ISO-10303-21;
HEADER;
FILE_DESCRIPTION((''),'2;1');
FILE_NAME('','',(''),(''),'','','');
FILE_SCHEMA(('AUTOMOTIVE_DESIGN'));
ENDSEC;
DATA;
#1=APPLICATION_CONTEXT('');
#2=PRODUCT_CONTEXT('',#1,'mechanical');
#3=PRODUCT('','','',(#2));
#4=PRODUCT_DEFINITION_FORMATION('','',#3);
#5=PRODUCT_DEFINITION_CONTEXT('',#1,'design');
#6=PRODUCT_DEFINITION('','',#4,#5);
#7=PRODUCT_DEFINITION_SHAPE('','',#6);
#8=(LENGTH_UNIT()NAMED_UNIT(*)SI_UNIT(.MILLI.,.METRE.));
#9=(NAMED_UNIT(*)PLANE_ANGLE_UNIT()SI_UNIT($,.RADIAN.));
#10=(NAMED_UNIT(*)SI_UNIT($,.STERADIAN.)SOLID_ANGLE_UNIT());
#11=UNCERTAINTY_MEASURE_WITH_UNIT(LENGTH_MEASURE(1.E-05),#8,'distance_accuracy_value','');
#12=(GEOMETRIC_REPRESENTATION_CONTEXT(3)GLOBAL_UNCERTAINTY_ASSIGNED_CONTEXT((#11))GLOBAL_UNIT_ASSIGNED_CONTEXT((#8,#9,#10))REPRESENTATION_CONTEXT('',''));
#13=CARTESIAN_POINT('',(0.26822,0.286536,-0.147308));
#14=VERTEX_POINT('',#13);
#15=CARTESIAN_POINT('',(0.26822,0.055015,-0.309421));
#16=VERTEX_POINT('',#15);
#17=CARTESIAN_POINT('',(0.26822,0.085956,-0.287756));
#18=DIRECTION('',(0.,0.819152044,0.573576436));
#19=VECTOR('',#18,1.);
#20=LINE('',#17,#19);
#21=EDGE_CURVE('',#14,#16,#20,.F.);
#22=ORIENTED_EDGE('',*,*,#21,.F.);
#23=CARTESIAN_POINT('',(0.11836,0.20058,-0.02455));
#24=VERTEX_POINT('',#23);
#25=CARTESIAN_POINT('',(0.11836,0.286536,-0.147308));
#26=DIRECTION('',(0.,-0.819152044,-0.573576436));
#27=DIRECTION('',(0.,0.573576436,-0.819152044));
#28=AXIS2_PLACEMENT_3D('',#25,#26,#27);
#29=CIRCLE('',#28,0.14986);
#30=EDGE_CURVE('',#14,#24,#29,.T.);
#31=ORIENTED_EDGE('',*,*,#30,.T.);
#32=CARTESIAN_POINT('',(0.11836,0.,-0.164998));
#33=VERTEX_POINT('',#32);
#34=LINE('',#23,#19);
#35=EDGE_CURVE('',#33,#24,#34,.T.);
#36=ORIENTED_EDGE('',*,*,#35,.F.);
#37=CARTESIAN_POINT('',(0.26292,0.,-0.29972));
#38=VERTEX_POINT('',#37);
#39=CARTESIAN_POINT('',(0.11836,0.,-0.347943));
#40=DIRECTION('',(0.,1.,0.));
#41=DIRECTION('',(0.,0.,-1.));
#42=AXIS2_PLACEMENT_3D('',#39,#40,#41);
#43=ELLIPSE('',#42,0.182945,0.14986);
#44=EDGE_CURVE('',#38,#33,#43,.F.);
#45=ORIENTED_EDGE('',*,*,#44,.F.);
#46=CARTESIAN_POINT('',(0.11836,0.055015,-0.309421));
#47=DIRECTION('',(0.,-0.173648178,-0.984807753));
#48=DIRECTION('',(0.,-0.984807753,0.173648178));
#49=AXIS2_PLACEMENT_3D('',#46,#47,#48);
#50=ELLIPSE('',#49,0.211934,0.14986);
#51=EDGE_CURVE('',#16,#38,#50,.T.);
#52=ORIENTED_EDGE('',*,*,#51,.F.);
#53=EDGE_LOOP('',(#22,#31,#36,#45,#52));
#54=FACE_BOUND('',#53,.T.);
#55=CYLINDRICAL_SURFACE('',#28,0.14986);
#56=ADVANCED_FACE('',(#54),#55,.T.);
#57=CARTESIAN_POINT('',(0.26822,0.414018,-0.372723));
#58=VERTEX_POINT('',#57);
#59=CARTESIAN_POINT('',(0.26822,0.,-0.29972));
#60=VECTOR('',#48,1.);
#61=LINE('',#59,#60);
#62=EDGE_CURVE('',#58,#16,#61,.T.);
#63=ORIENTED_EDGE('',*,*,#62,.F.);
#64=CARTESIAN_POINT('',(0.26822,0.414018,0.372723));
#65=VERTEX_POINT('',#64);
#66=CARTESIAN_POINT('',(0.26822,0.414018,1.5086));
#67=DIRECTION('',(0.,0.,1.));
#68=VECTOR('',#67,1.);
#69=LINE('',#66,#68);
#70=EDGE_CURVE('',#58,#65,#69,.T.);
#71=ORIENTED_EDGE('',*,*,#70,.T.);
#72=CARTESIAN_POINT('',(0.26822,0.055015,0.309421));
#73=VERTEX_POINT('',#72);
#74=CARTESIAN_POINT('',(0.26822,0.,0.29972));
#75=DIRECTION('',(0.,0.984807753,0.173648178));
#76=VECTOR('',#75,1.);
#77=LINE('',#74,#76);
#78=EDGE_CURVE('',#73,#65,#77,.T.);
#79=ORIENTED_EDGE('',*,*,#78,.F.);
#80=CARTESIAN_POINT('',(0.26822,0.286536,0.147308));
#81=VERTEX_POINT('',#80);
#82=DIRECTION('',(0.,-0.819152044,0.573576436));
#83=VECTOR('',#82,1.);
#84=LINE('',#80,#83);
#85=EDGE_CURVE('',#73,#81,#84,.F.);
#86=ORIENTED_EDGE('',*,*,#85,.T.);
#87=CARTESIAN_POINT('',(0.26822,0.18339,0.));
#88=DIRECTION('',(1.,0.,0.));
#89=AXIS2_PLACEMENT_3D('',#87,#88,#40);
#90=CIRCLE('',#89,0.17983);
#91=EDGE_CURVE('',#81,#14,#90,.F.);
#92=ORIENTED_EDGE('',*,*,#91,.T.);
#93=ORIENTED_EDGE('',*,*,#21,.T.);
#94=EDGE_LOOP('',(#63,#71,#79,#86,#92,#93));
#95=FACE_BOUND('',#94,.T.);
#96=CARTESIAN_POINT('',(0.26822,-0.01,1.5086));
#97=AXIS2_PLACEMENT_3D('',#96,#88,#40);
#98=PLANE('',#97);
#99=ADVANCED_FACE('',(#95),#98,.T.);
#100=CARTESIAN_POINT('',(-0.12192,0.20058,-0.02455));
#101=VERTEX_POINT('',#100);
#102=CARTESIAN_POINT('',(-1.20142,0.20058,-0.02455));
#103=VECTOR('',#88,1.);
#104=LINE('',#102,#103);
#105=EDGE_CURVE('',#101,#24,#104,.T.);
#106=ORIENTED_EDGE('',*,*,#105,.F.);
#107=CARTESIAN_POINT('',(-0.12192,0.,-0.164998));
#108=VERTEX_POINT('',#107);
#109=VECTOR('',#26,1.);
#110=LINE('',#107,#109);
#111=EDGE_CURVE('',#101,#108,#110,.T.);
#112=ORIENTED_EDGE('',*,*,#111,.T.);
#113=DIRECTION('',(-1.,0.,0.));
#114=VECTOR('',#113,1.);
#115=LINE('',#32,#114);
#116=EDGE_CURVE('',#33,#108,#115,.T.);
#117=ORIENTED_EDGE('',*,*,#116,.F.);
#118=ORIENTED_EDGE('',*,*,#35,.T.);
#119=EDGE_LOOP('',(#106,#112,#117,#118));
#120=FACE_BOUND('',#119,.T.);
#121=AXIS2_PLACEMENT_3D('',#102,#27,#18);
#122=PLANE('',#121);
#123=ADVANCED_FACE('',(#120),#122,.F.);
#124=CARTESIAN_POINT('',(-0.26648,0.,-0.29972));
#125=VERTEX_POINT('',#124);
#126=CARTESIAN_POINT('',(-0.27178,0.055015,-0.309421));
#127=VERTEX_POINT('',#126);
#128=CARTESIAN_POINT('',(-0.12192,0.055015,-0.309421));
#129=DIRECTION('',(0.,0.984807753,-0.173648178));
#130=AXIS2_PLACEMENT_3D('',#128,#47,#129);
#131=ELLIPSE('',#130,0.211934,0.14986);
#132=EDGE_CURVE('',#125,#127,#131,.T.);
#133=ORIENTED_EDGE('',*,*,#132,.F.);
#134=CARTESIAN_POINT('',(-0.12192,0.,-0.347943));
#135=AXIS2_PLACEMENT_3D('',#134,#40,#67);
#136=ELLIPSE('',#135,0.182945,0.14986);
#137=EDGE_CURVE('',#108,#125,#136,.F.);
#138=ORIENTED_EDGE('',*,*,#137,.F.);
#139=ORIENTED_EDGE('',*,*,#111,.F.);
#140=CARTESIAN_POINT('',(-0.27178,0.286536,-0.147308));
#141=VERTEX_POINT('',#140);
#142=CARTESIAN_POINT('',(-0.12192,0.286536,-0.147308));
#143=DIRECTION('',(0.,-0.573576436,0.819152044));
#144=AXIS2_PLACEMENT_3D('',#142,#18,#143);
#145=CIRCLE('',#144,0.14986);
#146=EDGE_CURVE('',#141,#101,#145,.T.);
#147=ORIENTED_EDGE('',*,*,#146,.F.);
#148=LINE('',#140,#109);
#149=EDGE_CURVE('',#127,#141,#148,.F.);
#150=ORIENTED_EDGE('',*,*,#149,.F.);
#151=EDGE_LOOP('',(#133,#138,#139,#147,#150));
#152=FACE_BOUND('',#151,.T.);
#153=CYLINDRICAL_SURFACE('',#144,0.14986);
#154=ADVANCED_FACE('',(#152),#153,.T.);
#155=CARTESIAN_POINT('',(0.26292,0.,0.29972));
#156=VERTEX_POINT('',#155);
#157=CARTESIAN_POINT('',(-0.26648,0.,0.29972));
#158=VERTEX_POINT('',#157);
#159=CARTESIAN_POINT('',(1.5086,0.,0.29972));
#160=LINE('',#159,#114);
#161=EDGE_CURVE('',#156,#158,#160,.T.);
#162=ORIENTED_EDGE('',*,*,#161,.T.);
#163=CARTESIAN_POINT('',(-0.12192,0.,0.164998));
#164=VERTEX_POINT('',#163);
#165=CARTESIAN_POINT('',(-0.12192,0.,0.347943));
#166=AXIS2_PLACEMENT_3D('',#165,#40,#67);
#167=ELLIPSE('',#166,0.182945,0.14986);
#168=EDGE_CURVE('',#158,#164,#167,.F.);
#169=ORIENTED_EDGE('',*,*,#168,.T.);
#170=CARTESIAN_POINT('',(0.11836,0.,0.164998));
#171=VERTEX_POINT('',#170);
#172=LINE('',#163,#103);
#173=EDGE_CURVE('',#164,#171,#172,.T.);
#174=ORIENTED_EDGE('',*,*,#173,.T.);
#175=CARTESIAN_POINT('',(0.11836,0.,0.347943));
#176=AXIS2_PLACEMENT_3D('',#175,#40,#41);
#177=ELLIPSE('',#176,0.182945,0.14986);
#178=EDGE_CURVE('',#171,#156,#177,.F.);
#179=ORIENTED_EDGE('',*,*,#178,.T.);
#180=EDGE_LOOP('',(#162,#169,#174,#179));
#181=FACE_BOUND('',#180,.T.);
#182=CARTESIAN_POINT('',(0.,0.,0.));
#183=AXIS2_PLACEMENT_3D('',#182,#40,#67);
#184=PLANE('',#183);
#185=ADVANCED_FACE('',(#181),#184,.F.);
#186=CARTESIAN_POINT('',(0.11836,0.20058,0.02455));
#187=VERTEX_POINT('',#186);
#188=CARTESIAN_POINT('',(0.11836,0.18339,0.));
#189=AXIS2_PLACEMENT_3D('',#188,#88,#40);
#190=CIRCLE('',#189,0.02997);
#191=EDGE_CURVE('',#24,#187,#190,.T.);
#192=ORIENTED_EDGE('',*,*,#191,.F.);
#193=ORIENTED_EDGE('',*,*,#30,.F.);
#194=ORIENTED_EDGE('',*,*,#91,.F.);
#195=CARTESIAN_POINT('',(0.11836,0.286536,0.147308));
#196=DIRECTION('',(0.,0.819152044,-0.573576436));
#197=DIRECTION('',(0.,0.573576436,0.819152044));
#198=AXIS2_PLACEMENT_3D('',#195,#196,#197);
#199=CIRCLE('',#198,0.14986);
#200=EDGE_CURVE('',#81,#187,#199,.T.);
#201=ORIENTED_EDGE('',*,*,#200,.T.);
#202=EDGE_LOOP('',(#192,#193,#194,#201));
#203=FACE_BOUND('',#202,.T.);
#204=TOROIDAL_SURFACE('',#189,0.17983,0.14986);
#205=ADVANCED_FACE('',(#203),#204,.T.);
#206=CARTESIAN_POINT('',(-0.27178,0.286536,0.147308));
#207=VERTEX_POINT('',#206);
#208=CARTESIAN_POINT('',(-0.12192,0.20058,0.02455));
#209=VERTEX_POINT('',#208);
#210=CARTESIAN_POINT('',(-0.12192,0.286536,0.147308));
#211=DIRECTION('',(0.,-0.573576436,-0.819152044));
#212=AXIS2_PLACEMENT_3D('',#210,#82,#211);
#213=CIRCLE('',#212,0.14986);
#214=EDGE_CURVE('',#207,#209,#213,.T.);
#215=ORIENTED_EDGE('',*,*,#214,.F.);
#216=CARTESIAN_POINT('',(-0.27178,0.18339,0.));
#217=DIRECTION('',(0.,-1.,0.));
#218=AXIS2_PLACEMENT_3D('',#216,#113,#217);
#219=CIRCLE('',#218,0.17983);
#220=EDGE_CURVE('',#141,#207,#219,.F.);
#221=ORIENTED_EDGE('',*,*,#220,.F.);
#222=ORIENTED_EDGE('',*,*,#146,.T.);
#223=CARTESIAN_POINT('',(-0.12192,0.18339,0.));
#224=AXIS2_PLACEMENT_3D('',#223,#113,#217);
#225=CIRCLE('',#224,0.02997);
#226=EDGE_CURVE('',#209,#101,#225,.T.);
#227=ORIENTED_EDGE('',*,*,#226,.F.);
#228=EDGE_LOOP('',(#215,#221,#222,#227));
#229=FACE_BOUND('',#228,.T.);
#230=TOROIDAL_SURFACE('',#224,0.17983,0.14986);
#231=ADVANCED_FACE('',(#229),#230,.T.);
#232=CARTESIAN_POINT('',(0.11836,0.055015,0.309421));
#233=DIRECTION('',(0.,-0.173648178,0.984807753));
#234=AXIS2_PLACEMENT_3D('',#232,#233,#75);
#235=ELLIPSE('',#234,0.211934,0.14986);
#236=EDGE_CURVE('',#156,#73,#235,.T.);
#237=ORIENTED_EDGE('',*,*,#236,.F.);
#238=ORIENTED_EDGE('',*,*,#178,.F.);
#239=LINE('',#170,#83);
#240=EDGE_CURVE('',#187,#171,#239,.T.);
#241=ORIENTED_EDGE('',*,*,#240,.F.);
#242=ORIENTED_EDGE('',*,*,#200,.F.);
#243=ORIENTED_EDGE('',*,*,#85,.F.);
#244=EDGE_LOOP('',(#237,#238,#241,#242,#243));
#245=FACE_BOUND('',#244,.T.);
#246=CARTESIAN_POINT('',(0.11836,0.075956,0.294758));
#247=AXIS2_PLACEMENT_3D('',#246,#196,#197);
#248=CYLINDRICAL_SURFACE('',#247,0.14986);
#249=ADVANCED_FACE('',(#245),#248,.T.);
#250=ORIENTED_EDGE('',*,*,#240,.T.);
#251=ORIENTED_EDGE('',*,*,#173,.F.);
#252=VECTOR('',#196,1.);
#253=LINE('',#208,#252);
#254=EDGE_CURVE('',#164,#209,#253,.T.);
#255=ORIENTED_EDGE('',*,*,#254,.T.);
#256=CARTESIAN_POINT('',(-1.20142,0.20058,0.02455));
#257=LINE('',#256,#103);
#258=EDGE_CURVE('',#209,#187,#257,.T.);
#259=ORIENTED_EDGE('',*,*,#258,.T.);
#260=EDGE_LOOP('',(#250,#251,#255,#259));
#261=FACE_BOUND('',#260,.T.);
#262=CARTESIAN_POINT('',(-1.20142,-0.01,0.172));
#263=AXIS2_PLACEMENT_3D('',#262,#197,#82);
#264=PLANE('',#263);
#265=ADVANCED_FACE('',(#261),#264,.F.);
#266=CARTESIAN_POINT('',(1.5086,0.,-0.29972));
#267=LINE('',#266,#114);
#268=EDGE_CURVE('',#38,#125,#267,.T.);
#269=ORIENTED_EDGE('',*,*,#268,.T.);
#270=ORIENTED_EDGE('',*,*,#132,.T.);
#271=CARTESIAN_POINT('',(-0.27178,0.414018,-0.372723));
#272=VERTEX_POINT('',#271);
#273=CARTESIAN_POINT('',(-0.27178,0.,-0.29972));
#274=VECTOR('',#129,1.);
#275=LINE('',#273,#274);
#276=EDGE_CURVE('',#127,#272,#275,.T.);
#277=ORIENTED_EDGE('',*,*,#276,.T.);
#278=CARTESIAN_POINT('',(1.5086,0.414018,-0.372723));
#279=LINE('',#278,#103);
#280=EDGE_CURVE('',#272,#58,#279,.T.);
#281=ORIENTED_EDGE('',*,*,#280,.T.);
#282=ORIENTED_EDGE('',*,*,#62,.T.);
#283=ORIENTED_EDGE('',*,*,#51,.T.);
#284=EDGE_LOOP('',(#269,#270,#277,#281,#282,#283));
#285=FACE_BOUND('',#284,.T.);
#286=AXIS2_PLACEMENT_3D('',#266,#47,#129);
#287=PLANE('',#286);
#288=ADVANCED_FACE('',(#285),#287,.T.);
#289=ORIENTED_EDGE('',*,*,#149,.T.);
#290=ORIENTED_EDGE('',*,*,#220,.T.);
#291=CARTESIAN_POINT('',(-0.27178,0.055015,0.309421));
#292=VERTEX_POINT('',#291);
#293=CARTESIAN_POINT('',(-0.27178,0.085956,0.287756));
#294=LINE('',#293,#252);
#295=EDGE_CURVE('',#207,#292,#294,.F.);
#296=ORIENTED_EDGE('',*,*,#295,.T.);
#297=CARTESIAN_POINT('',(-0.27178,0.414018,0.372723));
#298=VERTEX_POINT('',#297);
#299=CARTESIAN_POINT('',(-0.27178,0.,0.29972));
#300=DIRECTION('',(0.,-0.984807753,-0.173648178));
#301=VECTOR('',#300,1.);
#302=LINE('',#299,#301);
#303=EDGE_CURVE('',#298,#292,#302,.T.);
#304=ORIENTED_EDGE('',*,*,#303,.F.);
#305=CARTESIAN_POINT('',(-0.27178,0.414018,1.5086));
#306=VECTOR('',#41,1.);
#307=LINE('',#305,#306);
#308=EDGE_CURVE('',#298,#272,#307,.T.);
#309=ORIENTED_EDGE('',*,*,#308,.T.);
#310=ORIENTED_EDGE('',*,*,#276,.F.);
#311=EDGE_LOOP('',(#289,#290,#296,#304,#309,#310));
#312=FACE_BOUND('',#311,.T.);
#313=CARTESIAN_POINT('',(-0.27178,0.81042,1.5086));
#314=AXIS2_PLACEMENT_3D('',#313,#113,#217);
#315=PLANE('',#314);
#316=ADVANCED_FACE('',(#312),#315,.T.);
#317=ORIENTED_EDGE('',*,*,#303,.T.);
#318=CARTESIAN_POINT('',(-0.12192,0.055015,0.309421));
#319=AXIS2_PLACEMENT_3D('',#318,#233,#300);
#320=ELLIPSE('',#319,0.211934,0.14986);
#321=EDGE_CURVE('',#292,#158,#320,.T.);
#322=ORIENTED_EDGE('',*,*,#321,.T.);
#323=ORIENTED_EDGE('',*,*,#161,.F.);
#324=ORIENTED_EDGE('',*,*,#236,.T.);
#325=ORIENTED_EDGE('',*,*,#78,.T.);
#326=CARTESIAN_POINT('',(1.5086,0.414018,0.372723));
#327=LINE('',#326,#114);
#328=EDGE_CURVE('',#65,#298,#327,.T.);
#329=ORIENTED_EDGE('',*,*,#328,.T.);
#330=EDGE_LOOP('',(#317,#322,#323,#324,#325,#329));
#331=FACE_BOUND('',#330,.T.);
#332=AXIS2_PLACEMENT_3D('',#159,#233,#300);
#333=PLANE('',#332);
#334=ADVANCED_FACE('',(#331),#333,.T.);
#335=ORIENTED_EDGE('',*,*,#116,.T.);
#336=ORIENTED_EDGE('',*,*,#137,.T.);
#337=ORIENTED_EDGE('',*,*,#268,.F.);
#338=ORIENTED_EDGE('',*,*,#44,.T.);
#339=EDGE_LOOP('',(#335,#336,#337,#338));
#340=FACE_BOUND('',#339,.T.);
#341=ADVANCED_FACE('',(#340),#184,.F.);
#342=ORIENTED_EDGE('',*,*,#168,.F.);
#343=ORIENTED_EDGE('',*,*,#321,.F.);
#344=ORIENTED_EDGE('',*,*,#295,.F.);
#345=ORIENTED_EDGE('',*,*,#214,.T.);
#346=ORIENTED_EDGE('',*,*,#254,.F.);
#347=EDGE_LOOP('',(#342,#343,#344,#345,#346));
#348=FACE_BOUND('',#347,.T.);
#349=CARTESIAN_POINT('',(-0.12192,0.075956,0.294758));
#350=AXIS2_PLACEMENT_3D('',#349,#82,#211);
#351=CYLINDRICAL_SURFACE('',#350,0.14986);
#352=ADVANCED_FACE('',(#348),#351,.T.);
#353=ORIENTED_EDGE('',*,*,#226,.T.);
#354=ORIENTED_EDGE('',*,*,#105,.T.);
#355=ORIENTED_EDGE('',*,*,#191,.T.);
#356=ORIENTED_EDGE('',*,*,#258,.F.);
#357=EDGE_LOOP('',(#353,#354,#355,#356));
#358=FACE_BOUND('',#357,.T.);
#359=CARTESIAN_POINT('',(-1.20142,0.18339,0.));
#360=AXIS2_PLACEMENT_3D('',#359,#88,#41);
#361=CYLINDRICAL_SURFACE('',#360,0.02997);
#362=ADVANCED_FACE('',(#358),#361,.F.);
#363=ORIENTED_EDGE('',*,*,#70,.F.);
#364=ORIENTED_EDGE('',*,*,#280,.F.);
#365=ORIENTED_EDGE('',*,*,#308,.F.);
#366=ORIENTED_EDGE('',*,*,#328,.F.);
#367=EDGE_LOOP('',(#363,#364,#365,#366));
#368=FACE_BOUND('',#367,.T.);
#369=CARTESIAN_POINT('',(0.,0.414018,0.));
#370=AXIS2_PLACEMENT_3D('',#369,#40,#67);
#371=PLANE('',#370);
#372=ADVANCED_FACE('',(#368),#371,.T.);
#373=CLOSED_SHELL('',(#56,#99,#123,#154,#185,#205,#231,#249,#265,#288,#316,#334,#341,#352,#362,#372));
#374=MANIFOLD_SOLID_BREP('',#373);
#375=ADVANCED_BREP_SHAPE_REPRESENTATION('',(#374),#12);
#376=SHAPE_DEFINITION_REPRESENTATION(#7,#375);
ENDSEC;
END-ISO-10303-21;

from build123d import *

# Parameters (mm, degrees)
SKETCH_TL_CUTTING_R    = 1.4986
TL_CUTTING_DEPTH       = 29.999999944
SKETCH_TDF_CUTTING_W   = 3.01719996
SKETCH_TDF_CUTTING_H   = 3.01719996
TDF_CUTTING_DEPTH      = 31.074766841
VW_VR_GRINDING_DEPTH   = 1.50859998
VW_VR_GRINDING_2_DEPTH = 1.50859998
ISA_GRINDING_DEPTH     = 1.50859998
SKETCH_PRE_FRX_BRX_W   = 1.220380084
SKETCH_PRE_FRX_BRX_H   = 0.82042
SKETCH_PRE_FRX_BRX_W_2 = 1.24681996
PRE_FRX_BRX_DEPTH      = 1.50859998
FA_BA_GRINDING_DEPTH   = 1.50859998
BR_EDM_R               = 0.14986
FR_EDM_R               = 0.14986
ENGRAVING_DEPTH        = 0.005


with BuildPart() as part:
    # sketch_TL_cutting → TL_cutting (new body)
    with BuildSketch(Plane(origin=(0, 0, 0), x_dir=(1, 0, 0), z_dir=(0, 1, 0))):
        with Locations(Location((0, 0, 0), (0, 0, 270))):
            Circle(SKETCH_TL_CUTTING_R)
    extrude(amount=TL_CUTTING_DEPTH)

    # sketch_TDF_cutting → TDF_cutting (cut, through all)
    with BuildSketch(Plane(origin=(0, 0, 0), x_dir=(1, 0, 0), z_dir=(0, 1, 0))):
        with Locations((-2.71001998, 0)):
            Rectangle(SKETCH_TDF_CUTTING_W, SKETCH_TDF_CUTTING_H)
    extrude(amount=TDF_CUTTING_DEPTH, mode=Mode.SUBTRACT)


with BuildPart() as body_2:
    # sketch_VW_VR_grinding → VW_VR_grinding (new, symmetric)
    with BuildSketch(Plane(origin=(0, 0, 0), x_dir=(0, 0, -1), z_dir=(1, 0, 0))):
        with BuildLine():
            Line((-1.49360001, -0.00999998), (-1.49360001, 0.809308914))
            ThreePointArc((-1.49360001, 0.809308914), (-1.493648337, 0.810415792), (-1.493792952, 0.811514246))
            Line((-1.493792952, 0.811514246), (-1.51859996, 0.952201782))
            Line((-1.51859996, 0.952201782), (-1.50859998, -0.00999998))
            Line((-1.50859998, -0.00999998), (-1.49360001, -0.00999998))
        make_face()
    extrude(amount=VW_VR_GRINDING_DEPTH, both=True)


with BuildPart() as body_3:
    # sketch_VW_VR_grinding → VW_VR_grinding 2 (new, symmetric)
    with BuildSketch(Plane(origin=(0, 0, 0), x_dir=(0, 0, -1), z_dir=(1, 0, 0))):
        with BuildLine():
            Line((1.49360001, -0.00999998), (1.49360001, 0.809308914))
            ThreePointArc((1.49360001, 0.809308914), (1.493648337, 0.810415792), (1.493792952, 0.811514246))
            Line((1.493792952, 0.811514246), (1.51859996, 0.952201782))
            Line((1.51859996, 0.952201782), (1.50859998, -0.00999998))
            Line((1.50859998, -0.00999998), (1.49360001, -0.00999998))
        make_face()
    extrude(amount=VW_VR_GRINDING_2_DEPTH, both=True)


    add(body_2.part)  # ISA_grinding merges body 2
    # sketch_ISA_grinding → ISA_grinding (add, symmetric)
    with BuildSketch(Plane(origin=(0, 0, 0), x_dir=(0, 0, -1), z_dir=(1, 0, 0))):
        Polygon((-0.29972, 0), (0.29972, 0), (1.50859998, 6.855899053), (1.50859998, -0.02999994), (-1.50859998, -0.02999994), (-1.50859998, 6.855899053), align=None)
    extrude(amount=ISA_GRINDING_DEPTH, both=True)

    # sketch_pre_FRX_BRX → pre_FRX_BRX (add, symmetric)
    with BuildSketch(Plane.XY):
        with Locations((0.888409958, 0.40021002)):
            Rectangle(SKETCH_PRE_FRX_BRX_W, SKETCH_PRE_FRX_BRX_H)
        with Locations((-0.89518998, 0.40021002)):
            Rectangle(SKETCH_PRE_FRX_BRX_W_2, SKETCH_PRE_FRX_BRX_H)
    extrude(amount=PRE_FRX_BRX_DEPTH, both=True)

    # sketch_FA_BA_grinding → FA_BA_grinding (add, symmetric)
    with BuildSketch(Plane.XY):
        Polygon((0.268219936, -0.00999998), (0.268219936, 0.82042), (1.6256, 10.478681009), (1.6256, -0.00999998), align=None)
        Polygon((-0.27178, -0.00999998), (-0.27178, 0.82042), (-1.32842, 8.338804263), (-1.32842, -0.00999998), align=None)
    extrude(amount=FA_BA_GRINDING_DEPTH, both=True)


with BuildPart() as part_1:
    add(part.part)

    # B1_fix: cut body 3
    add(body_3.part, mode=Mode.SUBTRACT)

    # V-Groove_EDM: sweep along a path in sketch_contour_V-Groove
    with BuildLine(Plane.XY) as v_groove_edm_path:
        Line((-1.20142, 0.21336), (1.4986, 0.21336))
    # sketch_section_V-Groove → V-Groove_EDM (sweep, cut)
    with BuildSketch(Plane(origin=(-1.20142, 0, -1.2954), x_dir=(0, 0, -1), z_dir=(1, 0, 0))):
        with BuildLine():
            Line((-1.270850039, 0.200580099), (-1.12340028, -0.00999998))
            Line((-1.12340028, -0.00999998), (-1.46739972, -0.00999998))
            Line((-1.46739972, -0.00999998), (-1.319949961, 0.200580099))
            ThreePointArc((-1.319949961, 0.200580099), (-1.2954, 0.21336), (-1.270850039, 0.200580099))
        make_face()
    sweep(path=v_groove_edm_path.line, mode=Mode.SUBTRACT)

    # BR_EDM
    br_edm_edges = [part_1.edges().sort_by_distance(p)[0] for p in [
        (-0.27178, 0.21336, 0),
        (-0.27178, 0.10029005, -0.094773809),
        (-0.27178, 0.10029005, 0.094773809),
    ]]
    fillet(br_edm_edges, radius=BR_EDM_R)

    # FR_EDM
    fr_edm_edges = [part_1.edges().sort_by_distance(p)[0] for p in [
        (0.268219936, 0.10029005, -0.094773809),
        (0.268219936, 0.10029005, 0.094773809),
        (0.268219936, 0.21336, 0),
    ]]
    fillet(fr_edm_edges, radius=FR_EDM_R)

    # sketch_Engraving → Engraving (cut)
    with BuildSketch(Plane.ZY.offset(1.20142)):
        Polygon((-0.347748486, 0.295081019), (-0.475308325, 0.169076788), (-0.664833208, 0.042294753), (-0.91554533, -0.085524354), (-1.231852248, -0.147489398), (-1.486194122, -0.147489398), (-1.802501039, -0.085524354), (-2.055028038, 0.042294753), (-2.24455292, 0.169076788), (-2.372112759, 0.295081019), (-2.35033425, 0.316081724), (-2.227181966, 0.191114565), (-2.041027567, 0.06692521), (-1.791871053, -0.056486342), (-1.48256437, -0.119488457), (-1.235481999, -0.119488457), (-0.926175317, -0.056486342), (-0.678833678, 0.06692521), (-0.492679279, 0.191114565), (-0.369526995, 0.316081724), align=None)
    extrude(amount=-ENGRAVING_DEPTH, mode=Mode.SUBTRACT)

    # SurfaceCut1
    split(bisect_by=Plane(origin=(0, 0.41401793, 0), x_dir=(1, 0, 0), z_dir=(0, 1, 0)), keep=Keep.BOTTOM)


solid = part_1.part
